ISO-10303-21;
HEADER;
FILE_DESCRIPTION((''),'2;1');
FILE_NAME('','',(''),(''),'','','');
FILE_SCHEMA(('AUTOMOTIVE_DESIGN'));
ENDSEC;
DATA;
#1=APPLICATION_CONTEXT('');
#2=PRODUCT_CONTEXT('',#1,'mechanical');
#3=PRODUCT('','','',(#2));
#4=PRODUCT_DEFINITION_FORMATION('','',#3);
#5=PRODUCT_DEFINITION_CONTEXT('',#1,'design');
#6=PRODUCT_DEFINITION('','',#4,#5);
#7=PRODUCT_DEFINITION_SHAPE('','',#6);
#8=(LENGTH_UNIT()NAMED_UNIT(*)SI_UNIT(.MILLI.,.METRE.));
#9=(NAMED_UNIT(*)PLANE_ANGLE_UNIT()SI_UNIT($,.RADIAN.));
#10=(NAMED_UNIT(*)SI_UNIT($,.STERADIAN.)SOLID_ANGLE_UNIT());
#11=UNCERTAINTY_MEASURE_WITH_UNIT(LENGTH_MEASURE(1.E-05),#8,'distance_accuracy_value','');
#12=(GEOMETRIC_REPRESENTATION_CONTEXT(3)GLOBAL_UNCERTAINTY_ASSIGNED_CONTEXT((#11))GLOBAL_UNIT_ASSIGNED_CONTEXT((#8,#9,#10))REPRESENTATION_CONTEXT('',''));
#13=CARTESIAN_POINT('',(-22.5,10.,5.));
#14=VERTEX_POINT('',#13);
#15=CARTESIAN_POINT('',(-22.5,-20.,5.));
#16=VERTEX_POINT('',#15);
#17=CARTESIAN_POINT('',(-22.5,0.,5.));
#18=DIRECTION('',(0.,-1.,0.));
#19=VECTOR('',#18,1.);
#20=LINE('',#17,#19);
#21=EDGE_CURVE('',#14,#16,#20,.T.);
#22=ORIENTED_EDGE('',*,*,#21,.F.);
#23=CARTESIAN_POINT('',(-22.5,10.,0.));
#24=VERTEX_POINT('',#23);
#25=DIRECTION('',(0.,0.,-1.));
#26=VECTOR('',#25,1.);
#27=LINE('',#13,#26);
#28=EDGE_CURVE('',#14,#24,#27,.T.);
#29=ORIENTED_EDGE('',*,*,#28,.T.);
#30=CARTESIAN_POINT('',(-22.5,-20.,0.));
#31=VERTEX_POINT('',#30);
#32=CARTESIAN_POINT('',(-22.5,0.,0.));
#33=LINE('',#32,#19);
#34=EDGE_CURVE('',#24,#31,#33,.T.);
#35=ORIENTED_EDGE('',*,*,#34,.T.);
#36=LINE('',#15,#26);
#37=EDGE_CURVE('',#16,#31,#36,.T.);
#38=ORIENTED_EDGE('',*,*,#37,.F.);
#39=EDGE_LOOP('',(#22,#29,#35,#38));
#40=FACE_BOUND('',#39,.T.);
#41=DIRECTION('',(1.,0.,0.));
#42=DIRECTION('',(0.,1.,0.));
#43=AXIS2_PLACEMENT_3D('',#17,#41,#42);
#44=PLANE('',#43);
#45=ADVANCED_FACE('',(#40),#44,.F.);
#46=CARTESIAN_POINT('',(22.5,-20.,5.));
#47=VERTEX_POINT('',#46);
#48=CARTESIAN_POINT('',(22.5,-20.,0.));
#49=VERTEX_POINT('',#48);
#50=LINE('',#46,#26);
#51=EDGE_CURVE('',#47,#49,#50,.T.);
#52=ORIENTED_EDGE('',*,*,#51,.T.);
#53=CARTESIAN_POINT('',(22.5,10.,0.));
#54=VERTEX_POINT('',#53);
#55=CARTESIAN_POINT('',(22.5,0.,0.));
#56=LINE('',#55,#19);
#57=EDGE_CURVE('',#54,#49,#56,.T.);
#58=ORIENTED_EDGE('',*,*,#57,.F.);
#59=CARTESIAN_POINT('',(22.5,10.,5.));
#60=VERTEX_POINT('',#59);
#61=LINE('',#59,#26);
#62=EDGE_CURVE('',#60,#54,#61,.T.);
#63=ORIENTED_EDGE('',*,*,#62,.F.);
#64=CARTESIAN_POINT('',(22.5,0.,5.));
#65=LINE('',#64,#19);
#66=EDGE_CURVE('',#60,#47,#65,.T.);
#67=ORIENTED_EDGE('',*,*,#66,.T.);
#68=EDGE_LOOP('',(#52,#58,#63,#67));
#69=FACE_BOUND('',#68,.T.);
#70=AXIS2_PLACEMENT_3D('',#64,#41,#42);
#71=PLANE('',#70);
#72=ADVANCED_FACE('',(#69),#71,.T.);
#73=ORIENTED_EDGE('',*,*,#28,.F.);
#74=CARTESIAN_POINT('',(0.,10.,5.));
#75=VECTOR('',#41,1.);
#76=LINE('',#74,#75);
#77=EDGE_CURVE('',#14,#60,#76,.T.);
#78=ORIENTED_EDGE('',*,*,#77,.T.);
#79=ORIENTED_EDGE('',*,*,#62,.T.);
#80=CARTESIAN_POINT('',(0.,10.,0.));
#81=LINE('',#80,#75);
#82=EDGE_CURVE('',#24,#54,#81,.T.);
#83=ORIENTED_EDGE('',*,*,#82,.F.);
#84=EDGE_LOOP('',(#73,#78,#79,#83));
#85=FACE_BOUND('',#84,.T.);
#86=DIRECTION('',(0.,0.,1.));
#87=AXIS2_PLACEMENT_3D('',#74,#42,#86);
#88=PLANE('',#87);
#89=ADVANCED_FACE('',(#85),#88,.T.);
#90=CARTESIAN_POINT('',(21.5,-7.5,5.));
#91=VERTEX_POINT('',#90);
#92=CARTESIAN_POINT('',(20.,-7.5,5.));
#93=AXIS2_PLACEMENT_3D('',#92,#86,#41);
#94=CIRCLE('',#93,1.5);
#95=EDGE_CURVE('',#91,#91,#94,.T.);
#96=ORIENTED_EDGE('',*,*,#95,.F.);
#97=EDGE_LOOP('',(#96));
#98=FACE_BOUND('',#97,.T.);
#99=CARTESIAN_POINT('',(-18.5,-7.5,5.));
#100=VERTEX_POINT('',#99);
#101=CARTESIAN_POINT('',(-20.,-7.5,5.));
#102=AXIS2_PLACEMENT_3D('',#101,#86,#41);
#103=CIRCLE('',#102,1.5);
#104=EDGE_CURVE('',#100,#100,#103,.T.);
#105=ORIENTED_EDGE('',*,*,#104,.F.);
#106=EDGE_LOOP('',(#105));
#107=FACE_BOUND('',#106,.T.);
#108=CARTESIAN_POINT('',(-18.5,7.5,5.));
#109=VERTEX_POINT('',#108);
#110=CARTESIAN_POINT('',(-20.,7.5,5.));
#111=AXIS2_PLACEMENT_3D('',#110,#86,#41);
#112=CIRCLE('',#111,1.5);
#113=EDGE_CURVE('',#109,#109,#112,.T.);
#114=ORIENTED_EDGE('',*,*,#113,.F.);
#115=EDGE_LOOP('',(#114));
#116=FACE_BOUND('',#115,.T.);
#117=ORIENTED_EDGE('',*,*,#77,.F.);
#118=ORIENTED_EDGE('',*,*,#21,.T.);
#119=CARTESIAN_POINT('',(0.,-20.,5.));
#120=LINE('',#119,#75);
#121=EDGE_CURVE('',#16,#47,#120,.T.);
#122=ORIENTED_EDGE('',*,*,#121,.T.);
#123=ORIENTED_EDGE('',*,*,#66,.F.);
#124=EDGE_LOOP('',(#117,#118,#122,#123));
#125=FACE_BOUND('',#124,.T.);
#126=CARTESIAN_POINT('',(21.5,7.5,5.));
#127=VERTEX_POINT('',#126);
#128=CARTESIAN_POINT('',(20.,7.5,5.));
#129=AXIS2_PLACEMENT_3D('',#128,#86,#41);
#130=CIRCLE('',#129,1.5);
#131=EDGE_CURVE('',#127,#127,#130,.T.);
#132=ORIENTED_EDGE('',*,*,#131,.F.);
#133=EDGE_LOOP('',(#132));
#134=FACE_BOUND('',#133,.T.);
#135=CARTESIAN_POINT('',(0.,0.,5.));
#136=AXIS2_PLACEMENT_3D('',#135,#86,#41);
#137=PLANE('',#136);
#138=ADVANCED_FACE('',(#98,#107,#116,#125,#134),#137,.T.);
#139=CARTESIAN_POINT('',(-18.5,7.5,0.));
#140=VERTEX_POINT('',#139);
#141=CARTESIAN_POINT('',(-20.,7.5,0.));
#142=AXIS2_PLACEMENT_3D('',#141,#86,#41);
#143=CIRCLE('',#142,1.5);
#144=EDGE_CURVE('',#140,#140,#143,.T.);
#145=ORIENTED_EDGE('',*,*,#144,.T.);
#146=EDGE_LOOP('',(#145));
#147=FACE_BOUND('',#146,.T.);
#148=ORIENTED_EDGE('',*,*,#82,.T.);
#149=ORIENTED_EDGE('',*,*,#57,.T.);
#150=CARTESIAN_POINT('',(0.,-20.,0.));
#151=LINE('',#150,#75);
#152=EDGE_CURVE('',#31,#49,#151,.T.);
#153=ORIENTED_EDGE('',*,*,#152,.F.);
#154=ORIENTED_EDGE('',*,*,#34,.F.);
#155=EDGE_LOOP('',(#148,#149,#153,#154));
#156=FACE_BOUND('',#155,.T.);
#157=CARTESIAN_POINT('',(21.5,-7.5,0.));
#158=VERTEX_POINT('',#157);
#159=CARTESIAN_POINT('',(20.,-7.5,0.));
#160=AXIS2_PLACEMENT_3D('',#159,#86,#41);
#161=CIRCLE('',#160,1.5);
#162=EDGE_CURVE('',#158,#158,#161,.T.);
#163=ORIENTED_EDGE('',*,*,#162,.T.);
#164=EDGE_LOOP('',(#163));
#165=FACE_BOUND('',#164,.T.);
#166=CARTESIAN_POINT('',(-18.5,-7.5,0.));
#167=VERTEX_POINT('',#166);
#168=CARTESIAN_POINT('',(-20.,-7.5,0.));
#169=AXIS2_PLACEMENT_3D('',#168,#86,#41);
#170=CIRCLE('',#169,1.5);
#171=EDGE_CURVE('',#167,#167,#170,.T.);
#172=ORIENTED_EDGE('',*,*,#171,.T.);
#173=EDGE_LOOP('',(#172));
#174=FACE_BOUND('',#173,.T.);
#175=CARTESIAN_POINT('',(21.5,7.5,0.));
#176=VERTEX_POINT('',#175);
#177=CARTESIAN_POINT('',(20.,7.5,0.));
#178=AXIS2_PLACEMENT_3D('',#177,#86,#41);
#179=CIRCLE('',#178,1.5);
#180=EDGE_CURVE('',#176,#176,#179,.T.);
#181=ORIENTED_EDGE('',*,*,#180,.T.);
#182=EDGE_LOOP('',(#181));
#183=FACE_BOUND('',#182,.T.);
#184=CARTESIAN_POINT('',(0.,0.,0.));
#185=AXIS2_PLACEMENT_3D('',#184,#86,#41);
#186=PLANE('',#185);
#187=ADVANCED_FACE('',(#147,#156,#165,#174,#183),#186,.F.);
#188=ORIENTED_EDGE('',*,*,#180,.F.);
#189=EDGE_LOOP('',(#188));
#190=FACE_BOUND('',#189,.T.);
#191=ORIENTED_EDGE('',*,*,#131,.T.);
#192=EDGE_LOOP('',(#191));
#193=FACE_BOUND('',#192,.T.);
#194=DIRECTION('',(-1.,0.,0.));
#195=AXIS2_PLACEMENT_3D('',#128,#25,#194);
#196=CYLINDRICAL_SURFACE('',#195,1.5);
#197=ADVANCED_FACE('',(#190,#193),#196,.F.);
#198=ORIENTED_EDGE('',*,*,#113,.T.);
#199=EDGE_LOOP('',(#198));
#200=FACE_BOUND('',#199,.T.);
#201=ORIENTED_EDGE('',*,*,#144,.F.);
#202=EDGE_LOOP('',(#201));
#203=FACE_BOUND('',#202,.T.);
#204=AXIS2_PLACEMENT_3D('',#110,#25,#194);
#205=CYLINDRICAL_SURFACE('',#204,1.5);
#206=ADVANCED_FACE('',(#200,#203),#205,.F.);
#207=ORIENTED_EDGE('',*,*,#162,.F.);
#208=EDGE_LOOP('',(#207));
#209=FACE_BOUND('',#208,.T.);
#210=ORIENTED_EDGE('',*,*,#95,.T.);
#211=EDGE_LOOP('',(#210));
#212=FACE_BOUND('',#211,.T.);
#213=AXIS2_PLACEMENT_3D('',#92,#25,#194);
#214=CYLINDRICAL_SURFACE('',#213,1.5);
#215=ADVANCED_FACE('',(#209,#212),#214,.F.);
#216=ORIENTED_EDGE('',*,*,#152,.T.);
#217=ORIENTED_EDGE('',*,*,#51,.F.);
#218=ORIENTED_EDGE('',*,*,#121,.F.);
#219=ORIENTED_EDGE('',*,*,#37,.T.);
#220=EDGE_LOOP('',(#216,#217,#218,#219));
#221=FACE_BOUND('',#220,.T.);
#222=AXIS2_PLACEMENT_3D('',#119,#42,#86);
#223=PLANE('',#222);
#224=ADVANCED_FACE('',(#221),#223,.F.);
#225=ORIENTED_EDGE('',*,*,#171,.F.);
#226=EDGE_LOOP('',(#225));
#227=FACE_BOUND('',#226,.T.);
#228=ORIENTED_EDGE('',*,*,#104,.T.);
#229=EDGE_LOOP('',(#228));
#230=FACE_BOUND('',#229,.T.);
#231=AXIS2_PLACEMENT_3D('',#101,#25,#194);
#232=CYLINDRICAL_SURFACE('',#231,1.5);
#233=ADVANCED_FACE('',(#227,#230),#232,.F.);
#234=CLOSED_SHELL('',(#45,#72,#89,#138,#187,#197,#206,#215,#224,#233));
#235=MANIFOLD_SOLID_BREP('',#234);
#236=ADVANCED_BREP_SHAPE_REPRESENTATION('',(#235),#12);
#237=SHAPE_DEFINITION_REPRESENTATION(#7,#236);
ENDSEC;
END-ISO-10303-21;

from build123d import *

# Parameters (mm, degrees)
SKETCH1_R           = 1.5
BOSS_EXTRUDE2_DEPTH = 5


with BuildPart() as part:
    # Sketch1 → Boss-Extrude2 (new body)
    with BuildSketch(Plane.XY):
        Polygon((-22.5, 10), (22.5, 10), (22.5, -10), (22.5, -20), (-22.5, -20), (-22.5, -10), align=None)
        with Locations((-20, 7.5)):
            Circle(SKETCH1_R, mode=Mode.SUBTRACT)
        with Locations((-20, -7.5)):
            Circle(SKETCH1_R, mode=Mode.SUBTRACT)
        with Locations((20, 7.5)):
            Circle(SKETCH1_R, mode=Mode.SUBTRACT)
        with Locations((20, -7.5)):
            Circle(SKETCH1_R, mode=Mode.SUBTRACT)
    extrude(amount=BOSS_EXTRUDE2_DEPTH)


solid = part.part
